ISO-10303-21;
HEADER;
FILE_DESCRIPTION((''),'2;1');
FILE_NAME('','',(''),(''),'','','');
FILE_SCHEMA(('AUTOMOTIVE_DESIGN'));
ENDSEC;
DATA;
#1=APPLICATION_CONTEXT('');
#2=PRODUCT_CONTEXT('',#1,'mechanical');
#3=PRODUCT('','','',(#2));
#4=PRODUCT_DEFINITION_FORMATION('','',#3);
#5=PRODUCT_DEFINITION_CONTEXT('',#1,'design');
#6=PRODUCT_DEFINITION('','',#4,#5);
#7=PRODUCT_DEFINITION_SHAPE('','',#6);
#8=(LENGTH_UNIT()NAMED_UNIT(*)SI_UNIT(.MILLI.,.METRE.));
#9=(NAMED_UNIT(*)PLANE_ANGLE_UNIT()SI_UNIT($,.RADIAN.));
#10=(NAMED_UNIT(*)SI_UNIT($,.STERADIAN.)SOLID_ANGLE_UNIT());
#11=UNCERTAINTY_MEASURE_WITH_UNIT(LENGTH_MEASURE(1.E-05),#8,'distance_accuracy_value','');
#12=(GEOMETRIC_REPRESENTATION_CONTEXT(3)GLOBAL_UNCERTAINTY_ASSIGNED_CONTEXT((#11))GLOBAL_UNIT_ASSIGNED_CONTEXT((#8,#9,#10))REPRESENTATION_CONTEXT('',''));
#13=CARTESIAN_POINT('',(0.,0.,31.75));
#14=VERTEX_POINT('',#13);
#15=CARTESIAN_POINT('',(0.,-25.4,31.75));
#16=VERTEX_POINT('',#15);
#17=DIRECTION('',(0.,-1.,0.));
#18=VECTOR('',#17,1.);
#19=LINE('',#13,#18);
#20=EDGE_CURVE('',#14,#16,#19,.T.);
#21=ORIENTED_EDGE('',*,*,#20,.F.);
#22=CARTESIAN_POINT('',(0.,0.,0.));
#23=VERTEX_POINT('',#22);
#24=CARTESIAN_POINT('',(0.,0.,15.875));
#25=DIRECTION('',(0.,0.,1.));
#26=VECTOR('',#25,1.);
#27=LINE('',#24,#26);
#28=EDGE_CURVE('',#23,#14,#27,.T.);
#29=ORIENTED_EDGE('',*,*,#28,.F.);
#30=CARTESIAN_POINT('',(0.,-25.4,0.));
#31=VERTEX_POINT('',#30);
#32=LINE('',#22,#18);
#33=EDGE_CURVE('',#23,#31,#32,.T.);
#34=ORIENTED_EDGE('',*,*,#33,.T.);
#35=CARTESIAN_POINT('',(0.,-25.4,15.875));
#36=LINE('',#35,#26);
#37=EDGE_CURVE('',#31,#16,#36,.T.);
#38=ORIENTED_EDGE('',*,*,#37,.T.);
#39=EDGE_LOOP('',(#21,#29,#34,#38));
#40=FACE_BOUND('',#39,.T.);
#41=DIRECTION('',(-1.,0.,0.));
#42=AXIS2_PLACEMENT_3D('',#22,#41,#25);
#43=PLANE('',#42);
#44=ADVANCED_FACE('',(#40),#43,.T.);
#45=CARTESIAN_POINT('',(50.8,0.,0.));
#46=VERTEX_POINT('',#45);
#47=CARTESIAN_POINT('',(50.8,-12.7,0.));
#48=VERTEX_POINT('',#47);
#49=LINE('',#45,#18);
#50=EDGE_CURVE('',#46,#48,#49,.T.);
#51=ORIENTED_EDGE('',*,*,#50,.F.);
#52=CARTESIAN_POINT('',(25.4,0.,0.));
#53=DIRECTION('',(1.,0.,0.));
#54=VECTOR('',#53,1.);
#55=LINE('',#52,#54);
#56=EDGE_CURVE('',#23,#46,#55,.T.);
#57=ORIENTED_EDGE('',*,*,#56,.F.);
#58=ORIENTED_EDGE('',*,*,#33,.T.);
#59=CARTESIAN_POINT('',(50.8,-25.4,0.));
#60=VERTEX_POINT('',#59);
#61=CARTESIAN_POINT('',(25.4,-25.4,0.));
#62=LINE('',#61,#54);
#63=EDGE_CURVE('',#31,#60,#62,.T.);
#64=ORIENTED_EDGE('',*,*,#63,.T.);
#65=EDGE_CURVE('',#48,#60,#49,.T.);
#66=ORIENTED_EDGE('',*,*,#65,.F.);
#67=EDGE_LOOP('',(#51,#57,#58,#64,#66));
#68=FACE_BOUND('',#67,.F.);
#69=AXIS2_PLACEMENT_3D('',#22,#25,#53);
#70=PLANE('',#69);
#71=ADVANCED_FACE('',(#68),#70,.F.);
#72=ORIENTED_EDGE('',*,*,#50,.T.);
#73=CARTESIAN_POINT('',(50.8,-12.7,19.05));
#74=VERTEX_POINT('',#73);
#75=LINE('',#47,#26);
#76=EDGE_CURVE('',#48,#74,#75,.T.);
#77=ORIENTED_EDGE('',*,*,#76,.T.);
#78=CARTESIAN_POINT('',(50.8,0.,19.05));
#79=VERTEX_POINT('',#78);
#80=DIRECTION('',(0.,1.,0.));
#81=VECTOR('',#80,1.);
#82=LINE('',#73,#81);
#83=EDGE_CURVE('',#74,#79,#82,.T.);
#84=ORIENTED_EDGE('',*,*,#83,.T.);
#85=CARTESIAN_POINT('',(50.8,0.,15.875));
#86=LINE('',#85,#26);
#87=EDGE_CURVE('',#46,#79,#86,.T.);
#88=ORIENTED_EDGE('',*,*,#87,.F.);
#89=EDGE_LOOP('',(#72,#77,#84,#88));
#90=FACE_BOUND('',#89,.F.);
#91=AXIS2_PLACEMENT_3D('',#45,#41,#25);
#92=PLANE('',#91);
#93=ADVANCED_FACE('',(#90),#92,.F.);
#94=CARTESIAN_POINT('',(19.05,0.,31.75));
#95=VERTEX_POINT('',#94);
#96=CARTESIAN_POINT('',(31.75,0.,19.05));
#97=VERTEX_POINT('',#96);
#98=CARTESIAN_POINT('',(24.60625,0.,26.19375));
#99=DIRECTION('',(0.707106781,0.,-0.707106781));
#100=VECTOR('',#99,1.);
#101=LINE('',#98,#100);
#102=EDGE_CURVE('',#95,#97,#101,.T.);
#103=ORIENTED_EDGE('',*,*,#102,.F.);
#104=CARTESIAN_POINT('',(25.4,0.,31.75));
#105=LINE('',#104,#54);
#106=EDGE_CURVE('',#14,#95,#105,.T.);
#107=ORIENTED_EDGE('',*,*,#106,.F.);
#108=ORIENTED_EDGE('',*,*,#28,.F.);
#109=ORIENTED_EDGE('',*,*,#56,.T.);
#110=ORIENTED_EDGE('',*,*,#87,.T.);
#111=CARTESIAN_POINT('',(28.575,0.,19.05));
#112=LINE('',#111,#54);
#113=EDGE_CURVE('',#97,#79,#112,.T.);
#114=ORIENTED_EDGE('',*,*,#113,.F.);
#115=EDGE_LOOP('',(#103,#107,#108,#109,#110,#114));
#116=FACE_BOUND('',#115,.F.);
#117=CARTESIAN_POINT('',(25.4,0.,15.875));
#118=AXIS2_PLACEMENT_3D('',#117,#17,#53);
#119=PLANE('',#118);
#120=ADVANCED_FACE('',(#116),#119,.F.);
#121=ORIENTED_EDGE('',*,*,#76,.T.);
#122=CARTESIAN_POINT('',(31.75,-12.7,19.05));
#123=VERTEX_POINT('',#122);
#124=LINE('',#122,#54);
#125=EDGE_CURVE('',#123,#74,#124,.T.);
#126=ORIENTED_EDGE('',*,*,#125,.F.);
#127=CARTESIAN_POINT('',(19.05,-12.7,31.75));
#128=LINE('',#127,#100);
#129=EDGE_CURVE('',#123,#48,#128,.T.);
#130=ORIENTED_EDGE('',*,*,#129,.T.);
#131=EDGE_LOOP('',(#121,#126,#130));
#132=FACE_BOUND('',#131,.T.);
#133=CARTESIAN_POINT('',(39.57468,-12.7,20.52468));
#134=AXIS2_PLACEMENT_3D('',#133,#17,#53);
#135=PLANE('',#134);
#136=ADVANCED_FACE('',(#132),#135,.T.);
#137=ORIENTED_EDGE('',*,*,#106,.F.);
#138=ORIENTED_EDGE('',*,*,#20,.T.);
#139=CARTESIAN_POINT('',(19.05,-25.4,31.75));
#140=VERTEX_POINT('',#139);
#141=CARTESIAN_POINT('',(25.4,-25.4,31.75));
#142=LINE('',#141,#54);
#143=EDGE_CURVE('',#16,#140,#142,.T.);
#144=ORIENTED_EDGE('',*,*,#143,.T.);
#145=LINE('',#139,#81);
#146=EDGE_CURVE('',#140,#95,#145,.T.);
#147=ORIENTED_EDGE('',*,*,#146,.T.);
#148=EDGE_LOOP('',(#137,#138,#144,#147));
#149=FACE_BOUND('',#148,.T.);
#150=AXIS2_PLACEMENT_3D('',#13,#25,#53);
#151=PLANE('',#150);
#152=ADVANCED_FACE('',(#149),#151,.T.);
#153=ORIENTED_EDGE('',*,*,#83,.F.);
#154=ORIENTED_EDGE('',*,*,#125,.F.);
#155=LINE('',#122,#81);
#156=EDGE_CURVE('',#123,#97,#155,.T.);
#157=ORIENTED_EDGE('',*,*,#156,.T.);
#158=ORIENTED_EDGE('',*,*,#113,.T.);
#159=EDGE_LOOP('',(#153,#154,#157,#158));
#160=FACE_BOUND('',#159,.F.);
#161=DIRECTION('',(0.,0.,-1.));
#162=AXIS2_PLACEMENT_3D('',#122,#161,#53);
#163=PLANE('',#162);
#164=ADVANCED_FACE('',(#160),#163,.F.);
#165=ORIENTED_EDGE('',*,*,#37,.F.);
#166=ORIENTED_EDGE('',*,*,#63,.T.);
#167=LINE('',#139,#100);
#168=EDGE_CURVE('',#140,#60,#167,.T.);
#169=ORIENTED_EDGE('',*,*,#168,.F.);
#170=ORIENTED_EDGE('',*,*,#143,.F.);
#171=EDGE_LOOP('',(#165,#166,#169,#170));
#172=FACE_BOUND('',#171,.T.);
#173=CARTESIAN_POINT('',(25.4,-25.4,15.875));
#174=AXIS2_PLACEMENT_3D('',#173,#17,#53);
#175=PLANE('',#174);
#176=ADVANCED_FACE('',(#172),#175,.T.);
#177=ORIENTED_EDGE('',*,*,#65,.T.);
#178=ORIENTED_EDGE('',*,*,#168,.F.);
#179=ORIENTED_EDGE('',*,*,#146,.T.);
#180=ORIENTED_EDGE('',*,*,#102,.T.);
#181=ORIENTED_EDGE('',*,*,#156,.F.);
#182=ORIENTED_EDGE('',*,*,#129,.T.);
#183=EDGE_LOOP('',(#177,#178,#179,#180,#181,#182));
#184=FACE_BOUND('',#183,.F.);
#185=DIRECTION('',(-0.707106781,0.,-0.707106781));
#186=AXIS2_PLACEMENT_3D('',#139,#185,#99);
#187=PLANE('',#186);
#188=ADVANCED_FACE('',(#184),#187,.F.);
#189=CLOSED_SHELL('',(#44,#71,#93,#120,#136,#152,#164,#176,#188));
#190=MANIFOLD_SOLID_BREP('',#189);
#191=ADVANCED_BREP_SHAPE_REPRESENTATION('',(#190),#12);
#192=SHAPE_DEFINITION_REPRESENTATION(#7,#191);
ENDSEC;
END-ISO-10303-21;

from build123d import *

# Parameters (mm, degrees)
F0_W     = 50.8
F0_H     = 31.75
F1_DEPTH = 25.4
F3_DEPTH = 12.7
F5_DEPTH = 25.4


with BuildPart() as f1:
    # F0 (on Front) → F1 (new body)
    with BuildSketch(Plane.XZ):
        with Locations((25.4, 15.875)):
            Rectangle(F0_W, F0_H)
    extrude(amount=F1_DEPTH)

    # F2 (on face) → F3 (cut)
    with BuildSketch(Plane.XZ.offset(25.4)):
        Polygon((50.8, 31.75), (19.05, 31.75), (50.8, 0), align=None)
    extrude(amount=-F3_DEPTH, mode=Mode.SUBTRACT)

    # F4 (on face) → F5 (cut)
    with BuildSketch(Plane.XZ.offset(12.7)):
        Polygon((19.05, 31.75), (31.75, 19.05), (50.8, 19.05), (50.8, 31.75), align=None)
    extrude(amount=-F5_DEPTH, mode=Mode.SUBTRACT)


solid = f1.part
